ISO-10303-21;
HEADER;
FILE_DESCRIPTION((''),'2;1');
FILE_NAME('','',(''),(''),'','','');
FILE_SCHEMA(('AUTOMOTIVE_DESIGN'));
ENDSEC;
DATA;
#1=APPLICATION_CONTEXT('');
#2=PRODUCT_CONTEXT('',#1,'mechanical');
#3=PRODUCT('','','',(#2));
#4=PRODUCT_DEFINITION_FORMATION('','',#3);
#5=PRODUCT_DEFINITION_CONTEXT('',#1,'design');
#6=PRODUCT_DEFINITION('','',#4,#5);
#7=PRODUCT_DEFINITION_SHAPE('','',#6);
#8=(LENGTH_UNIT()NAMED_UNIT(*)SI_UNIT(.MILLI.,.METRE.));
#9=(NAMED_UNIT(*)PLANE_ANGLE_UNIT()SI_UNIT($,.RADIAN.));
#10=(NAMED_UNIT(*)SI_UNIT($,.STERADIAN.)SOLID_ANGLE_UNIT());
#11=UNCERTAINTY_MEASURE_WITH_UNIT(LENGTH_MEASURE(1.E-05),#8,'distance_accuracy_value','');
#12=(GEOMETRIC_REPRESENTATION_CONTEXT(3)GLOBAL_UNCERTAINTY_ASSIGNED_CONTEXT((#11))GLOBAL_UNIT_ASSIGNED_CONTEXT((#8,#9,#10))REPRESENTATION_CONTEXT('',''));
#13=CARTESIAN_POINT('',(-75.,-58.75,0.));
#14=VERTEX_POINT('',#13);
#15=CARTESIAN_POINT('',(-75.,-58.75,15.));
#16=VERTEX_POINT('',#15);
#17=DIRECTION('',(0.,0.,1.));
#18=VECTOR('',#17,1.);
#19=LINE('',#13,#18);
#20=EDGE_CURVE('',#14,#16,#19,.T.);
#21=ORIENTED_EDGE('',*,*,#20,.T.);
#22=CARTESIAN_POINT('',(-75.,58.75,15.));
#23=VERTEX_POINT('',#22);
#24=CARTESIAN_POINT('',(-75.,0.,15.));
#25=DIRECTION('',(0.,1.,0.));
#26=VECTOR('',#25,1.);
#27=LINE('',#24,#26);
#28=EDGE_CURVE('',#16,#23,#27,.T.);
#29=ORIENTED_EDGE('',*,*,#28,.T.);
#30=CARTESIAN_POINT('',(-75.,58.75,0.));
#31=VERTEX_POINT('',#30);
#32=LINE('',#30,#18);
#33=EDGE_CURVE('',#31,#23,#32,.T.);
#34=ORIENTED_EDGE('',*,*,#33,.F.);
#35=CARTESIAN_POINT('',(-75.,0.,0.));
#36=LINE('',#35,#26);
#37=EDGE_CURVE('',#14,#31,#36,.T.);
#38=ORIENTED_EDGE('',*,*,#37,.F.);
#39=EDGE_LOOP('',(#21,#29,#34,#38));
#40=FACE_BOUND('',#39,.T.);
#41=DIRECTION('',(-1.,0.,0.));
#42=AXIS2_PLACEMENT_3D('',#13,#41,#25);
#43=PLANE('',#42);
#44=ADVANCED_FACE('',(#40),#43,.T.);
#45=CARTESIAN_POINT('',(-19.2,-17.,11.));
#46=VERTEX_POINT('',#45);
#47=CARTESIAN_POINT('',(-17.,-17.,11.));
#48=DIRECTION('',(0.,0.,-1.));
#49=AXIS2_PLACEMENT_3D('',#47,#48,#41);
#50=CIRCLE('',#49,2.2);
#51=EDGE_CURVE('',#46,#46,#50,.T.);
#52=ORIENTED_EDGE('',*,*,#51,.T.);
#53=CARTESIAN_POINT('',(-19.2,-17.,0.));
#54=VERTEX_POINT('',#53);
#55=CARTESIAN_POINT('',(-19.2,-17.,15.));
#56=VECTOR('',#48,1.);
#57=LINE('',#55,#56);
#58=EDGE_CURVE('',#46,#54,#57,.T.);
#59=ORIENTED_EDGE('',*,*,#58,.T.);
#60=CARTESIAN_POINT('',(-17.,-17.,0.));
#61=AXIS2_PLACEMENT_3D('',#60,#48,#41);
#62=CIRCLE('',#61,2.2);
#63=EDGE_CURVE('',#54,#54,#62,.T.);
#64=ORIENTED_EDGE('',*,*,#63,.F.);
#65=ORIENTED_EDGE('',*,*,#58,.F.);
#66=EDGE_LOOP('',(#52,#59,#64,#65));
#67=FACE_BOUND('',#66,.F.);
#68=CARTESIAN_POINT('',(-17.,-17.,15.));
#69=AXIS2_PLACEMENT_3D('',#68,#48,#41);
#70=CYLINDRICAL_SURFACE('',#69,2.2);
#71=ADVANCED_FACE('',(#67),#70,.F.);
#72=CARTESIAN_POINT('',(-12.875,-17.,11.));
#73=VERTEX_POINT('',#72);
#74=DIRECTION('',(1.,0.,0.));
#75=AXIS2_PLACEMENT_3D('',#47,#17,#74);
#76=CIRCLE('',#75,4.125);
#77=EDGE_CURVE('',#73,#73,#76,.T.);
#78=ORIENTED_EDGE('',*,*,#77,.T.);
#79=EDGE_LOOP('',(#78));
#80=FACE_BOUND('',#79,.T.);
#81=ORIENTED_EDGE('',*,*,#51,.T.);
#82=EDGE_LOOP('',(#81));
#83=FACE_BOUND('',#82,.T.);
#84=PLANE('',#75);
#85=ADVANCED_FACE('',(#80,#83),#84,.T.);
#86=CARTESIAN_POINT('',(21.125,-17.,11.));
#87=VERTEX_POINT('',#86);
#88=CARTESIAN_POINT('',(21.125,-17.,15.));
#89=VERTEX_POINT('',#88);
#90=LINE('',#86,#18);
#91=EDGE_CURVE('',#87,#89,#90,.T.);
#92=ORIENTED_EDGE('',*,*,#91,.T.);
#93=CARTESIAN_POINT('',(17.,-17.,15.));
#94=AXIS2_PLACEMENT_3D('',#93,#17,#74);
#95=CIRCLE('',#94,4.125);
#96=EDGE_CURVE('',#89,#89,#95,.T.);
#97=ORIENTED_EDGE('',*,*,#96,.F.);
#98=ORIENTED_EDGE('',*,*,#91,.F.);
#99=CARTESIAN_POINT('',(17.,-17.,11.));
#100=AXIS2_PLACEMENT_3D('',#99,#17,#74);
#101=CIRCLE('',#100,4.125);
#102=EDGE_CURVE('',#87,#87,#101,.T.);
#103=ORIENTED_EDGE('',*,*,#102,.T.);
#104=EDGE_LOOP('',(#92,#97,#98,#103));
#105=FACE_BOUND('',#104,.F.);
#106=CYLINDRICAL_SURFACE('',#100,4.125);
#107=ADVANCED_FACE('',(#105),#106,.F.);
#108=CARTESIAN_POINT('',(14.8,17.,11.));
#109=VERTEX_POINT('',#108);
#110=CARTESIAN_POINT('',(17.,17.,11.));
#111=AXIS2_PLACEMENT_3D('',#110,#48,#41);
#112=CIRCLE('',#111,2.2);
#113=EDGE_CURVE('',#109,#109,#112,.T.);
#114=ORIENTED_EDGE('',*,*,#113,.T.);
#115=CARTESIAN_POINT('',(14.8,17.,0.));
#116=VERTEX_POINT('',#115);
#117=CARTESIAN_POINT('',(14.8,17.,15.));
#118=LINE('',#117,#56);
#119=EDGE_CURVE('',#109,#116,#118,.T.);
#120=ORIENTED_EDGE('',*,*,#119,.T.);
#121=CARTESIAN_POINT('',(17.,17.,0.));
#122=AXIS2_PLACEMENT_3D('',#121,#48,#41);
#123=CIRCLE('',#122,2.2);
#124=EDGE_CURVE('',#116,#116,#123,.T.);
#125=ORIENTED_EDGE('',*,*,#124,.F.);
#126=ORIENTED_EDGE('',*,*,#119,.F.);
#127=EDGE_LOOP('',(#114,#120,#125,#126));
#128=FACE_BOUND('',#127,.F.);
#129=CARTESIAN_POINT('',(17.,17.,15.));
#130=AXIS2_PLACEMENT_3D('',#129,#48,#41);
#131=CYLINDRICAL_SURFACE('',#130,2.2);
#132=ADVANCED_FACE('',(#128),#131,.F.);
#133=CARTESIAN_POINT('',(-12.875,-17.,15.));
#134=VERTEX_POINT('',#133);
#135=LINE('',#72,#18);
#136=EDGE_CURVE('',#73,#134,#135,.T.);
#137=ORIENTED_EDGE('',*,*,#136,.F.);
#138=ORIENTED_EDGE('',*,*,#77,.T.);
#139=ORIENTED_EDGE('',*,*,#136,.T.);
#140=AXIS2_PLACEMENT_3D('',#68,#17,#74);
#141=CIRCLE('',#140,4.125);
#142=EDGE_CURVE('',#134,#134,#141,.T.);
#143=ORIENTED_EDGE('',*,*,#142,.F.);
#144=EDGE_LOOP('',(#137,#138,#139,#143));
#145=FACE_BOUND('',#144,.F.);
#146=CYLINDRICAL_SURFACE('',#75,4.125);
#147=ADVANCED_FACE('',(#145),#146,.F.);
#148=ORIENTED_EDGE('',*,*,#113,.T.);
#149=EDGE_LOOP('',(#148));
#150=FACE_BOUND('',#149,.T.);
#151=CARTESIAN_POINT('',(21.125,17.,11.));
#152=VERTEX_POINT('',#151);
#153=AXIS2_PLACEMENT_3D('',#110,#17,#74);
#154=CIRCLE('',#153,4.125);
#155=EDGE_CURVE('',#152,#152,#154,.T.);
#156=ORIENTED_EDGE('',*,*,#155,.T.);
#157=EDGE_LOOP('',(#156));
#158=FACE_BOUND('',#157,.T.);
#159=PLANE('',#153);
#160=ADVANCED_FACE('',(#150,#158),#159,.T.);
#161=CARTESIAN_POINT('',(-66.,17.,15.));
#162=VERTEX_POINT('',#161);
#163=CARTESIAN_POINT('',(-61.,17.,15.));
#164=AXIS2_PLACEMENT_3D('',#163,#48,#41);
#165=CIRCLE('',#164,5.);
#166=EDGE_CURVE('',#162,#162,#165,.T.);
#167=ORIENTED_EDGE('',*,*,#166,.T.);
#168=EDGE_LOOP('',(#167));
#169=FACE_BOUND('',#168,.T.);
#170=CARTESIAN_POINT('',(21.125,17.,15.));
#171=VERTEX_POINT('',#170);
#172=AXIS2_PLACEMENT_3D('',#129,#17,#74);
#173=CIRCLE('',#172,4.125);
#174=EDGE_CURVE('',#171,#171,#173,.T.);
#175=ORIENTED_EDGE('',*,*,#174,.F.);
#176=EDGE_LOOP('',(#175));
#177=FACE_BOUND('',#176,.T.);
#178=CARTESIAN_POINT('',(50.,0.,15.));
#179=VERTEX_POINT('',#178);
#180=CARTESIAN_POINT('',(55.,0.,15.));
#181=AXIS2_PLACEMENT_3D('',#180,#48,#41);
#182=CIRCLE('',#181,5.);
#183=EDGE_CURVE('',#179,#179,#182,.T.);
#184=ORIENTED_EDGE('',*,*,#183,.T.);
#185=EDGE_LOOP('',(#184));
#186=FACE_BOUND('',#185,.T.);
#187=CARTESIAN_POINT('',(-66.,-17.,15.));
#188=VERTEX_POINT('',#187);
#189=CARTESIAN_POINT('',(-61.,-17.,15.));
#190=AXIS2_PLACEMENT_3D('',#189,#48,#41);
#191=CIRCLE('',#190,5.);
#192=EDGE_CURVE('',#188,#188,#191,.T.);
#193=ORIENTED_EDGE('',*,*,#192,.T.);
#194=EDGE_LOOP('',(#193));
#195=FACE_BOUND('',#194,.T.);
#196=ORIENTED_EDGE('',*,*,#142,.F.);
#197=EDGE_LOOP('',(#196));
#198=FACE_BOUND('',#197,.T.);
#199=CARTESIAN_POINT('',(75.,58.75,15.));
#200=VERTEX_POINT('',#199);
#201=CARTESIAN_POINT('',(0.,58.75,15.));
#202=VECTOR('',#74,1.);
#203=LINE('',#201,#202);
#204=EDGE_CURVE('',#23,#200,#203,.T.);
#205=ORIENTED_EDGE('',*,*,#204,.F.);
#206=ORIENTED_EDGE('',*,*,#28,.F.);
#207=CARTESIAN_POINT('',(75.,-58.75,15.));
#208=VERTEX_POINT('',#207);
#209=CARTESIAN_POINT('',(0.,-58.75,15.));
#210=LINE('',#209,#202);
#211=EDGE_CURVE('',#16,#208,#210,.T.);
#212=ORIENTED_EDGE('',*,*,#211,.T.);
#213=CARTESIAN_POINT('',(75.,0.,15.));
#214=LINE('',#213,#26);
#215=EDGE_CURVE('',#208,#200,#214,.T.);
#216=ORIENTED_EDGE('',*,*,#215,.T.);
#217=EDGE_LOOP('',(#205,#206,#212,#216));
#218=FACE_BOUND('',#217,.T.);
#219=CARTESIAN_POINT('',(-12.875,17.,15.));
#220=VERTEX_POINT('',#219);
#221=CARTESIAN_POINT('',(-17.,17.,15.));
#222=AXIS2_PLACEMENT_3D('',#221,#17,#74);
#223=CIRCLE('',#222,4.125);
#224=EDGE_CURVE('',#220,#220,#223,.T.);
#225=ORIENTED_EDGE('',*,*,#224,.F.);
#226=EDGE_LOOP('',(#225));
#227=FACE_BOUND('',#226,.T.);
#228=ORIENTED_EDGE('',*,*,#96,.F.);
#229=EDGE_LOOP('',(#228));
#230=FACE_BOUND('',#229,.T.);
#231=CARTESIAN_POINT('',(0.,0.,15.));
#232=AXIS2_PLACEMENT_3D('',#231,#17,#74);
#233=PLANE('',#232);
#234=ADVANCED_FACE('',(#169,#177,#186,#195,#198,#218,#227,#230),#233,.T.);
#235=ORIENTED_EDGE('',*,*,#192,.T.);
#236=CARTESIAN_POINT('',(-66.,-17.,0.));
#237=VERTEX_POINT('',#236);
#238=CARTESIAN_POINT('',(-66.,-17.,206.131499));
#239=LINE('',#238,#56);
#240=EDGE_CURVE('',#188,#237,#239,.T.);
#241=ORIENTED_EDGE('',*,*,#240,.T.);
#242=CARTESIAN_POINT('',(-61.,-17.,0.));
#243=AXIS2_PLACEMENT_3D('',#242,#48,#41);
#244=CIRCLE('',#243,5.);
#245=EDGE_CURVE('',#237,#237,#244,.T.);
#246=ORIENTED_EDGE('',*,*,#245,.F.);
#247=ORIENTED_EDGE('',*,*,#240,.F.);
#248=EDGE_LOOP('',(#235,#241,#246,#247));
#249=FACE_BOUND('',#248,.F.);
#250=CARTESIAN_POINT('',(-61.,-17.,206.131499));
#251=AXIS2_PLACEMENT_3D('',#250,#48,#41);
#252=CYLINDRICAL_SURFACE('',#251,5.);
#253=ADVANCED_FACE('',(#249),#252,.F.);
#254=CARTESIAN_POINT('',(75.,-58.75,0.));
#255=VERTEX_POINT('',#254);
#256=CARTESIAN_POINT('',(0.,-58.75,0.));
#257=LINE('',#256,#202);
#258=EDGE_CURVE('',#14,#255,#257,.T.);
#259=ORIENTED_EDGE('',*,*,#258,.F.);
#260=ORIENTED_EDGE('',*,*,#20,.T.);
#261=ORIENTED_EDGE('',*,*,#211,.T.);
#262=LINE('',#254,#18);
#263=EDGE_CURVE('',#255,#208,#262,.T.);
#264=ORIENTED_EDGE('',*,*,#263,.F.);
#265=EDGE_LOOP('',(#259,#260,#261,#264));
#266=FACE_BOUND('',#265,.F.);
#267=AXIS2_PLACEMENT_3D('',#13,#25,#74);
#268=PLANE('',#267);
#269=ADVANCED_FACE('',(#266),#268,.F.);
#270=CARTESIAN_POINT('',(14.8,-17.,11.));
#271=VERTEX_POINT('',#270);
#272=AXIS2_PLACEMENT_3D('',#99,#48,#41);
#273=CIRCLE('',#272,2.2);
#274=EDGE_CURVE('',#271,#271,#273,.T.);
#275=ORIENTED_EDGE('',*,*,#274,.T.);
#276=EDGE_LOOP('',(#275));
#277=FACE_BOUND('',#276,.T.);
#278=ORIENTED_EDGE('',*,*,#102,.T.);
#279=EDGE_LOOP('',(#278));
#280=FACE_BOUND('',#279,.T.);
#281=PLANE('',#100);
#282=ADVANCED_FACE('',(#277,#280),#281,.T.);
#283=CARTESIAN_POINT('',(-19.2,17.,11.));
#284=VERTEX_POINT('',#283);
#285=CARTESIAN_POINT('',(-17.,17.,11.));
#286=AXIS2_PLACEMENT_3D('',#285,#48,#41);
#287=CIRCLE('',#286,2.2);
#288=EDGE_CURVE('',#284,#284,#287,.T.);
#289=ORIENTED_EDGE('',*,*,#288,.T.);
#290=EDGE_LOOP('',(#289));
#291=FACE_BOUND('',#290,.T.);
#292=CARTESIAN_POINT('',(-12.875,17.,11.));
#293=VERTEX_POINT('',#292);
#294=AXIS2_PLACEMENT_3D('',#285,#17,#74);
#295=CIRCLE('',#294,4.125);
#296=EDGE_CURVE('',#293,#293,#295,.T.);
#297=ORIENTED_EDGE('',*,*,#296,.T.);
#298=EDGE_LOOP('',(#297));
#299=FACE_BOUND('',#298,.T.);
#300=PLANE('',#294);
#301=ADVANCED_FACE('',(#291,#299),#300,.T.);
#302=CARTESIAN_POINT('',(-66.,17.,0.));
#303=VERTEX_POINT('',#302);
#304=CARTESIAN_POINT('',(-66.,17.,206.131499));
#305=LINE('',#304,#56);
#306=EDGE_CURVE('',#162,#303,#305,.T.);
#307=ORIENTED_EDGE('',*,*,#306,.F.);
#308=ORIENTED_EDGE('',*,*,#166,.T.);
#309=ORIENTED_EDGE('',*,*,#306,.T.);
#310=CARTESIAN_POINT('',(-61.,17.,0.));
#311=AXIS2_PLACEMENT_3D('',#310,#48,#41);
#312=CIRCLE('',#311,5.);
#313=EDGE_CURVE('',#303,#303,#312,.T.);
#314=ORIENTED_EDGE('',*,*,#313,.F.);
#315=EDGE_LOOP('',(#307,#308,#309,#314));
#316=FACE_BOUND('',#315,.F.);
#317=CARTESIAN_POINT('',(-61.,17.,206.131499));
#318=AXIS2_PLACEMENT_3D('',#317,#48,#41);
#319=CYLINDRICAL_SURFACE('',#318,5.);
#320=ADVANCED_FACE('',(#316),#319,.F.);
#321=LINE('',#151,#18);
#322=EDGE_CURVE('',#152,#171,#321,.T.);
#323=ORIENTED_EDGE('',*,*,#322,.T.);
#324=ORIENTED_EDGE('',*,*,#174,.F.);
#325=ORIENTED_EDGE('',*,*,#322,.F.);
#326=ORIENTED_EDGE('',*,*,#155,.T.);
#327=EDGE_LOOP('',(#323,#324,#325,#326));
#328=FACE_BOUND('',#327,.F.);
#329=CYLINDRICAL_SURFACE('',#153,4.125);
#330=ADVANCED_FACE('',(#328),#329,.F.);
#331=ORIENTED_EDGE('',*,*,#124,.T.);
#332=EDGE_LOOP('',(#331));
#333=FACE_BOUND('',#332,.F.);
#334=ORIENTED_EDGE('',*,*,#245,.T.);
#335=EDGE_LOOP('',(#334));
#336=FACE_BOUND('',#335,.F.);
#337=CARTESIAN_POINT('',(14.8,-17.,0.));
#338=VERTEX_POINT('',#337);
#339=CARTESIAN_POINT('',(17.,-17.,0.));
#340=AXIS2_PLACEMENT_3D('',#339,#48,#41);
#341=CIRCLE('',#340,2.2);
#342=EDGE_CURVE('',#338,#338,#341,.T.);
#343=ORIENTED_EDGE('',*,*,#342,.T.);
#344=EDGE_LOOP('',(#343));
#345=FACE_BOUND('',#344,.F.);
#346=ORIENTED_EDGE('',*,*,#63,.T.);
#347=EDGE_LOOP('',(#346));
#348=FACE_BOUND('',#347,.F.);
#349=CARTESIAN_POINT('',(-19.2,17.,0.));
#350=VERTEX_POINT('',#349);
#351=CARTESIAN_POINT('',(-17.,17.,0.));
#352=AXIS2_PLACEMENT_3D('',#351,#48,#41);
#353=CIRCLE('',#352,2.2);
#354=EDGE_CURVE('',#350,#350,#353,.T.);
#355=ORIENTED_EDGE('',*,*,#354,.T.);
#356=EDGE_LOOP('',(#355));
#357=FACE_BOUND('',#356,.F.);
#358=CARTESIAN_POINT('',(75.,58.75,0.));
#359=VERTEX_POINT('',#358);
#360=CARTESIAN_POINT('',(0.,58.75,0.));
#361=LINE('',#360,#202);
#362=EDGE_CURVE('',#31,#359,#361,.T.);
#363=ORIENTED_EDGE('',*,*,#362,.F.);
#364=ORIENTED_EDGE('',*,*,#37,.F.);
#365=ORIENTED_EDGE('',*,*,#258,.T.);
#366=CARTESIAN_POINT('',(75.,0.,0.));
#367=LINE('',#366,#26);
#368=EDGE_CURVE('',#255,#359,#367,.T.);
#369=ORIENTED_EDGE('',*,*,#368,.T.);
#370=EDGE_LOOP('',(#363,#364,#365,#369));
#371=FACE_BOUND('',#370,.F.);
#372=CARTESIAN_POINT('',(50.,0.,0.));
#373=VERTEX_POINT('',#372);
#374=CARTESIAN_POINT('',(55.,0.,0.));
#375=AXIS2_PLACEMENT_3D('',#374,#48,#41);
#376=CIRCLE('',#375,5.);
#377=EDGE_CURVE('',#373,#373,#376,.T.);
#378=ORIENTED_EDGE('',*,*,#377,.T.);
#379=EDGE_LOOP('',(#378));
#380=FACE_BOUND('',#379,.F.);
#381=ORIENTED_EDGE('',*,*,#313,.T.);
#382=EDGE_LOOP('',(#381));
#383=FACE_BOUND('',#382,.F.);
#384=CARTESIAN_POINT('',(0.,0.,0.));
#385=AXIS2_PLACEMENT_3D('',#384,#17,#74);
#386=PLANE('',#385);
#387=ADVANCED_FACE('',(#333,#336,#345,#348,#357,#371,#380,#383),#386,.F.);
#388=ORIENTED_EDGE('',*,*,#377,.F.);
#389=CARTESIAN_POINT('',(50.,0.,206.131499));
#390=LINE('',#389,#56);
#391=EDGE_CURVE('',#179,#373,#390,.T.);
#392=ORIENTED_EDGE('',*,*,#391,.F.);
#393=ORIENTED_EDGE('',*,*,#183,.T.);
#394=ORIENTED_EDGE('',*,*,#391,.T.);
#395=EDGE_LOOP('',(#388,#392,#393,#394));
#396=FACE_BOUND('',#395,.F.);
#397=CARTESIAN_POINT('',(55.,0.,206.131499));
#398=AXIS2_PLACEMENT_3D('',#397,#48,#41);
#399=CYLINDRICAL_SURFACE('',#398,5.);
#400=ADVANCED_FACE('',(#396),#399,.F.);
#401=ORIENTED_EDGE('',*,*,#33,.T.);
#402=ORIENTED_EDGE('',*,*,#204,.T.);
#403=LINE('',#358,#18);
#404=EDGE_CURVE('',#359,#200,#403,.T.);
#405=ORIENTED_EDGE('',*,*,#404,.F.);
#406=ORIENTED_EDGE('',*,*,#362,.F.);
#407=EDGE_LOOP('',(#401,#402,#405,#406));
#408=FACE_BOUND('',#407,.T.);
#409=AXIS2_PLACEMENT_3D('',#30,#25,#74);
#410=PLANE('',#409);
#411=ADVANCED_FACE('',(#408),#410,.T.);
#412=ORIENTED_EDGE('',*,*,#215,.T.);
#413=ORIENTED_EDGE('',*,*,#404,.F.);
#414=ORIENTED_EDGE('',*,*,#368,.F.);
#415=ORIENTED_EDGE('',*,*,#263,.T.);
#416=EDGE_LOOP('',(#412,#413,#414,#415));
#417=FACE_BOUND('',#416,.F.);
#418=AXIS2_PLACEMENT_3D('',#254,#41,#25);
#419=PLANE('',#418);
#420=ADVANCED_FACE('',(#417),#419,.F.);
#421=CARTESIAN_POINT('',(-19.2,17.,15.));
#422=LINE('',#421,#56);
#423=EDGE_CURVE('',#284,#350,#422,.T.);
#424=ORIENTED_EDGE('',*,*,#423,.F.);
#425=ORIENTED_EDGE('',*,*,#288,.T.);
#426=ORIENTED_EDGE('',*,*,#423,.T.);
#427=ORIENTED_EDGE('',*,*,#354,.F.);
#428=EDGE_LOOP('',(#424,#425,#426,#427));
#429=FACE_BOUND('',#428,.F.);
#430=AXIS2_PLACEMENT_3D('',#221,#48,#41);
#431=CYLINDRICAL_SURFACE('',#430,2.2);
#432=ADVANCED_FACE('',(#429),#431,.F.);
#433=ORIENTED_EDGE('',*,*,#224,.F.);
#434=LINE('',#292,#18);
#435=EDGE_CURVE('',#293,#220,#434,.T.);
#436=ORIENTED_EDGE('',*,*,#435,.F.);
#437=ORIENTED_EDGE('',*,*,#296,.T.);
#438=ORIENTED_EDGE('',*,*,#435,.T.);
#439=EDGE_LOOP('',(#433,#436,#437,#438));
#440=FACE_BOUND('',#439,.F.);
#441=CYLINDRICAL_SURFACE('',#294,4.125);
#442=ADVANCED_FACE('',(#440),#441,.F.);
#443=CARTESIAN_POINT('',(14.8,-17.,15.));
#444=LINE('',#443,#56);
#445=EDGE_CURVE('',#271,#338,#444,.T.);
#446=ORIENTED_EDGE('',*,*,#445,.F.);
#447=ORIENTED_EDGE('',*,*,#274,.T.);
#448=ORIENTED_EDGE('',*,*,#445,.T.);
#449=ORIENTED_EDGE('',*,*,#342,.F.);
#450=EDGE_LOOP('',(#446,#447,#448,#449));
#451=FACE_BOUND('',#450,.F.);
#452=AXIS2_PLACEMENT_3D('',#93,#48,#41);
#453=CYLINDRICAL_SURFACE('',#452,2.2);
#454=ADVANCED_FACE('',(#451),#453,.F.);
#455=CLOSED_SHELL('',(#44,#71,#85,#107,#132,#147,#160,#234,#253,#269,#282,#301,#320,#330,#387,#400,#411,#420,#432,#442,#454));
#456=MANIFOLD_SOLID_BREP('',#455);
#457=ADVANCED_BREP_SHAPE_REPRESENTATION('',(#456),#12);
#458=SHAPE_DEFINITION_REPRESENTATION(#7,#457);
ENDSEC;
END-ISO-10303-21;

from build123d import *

# Parameters (mm, degrees)
F0_W           = 150
F0_H           = 117.5
F1_DEPTH       = 15
F3_D           = 10
F5_D           = 4.4
F5_CBORE_D     = 8.25
F5_CBORE_DEPTH = 4


with BuildPart() as f1:
    # F0 (on Top) → F1 (new body)
    with BuildSketch(Plane.XY):
        Rectangle(F0_W, F0_H)
    extrude(amount=F1_DEPTH)

    # F3 (through all)
    with Locations(Plane.XY.offset(15)):
        with Locations((-61, 17), (-61, -17), (55, 0)):
            Hole(F3_D / 2)

    # F5 (through all)
    with Locations(Plane.XY.offset(15)):
        with Locations((-17, 17), (17, 17), (17, -17), (-17, -17)):
            CounterBoreHole(F5_D / 2, F5_CBORE_D / 2, F5_CBORE_DEPTH)


solid = f1.part
